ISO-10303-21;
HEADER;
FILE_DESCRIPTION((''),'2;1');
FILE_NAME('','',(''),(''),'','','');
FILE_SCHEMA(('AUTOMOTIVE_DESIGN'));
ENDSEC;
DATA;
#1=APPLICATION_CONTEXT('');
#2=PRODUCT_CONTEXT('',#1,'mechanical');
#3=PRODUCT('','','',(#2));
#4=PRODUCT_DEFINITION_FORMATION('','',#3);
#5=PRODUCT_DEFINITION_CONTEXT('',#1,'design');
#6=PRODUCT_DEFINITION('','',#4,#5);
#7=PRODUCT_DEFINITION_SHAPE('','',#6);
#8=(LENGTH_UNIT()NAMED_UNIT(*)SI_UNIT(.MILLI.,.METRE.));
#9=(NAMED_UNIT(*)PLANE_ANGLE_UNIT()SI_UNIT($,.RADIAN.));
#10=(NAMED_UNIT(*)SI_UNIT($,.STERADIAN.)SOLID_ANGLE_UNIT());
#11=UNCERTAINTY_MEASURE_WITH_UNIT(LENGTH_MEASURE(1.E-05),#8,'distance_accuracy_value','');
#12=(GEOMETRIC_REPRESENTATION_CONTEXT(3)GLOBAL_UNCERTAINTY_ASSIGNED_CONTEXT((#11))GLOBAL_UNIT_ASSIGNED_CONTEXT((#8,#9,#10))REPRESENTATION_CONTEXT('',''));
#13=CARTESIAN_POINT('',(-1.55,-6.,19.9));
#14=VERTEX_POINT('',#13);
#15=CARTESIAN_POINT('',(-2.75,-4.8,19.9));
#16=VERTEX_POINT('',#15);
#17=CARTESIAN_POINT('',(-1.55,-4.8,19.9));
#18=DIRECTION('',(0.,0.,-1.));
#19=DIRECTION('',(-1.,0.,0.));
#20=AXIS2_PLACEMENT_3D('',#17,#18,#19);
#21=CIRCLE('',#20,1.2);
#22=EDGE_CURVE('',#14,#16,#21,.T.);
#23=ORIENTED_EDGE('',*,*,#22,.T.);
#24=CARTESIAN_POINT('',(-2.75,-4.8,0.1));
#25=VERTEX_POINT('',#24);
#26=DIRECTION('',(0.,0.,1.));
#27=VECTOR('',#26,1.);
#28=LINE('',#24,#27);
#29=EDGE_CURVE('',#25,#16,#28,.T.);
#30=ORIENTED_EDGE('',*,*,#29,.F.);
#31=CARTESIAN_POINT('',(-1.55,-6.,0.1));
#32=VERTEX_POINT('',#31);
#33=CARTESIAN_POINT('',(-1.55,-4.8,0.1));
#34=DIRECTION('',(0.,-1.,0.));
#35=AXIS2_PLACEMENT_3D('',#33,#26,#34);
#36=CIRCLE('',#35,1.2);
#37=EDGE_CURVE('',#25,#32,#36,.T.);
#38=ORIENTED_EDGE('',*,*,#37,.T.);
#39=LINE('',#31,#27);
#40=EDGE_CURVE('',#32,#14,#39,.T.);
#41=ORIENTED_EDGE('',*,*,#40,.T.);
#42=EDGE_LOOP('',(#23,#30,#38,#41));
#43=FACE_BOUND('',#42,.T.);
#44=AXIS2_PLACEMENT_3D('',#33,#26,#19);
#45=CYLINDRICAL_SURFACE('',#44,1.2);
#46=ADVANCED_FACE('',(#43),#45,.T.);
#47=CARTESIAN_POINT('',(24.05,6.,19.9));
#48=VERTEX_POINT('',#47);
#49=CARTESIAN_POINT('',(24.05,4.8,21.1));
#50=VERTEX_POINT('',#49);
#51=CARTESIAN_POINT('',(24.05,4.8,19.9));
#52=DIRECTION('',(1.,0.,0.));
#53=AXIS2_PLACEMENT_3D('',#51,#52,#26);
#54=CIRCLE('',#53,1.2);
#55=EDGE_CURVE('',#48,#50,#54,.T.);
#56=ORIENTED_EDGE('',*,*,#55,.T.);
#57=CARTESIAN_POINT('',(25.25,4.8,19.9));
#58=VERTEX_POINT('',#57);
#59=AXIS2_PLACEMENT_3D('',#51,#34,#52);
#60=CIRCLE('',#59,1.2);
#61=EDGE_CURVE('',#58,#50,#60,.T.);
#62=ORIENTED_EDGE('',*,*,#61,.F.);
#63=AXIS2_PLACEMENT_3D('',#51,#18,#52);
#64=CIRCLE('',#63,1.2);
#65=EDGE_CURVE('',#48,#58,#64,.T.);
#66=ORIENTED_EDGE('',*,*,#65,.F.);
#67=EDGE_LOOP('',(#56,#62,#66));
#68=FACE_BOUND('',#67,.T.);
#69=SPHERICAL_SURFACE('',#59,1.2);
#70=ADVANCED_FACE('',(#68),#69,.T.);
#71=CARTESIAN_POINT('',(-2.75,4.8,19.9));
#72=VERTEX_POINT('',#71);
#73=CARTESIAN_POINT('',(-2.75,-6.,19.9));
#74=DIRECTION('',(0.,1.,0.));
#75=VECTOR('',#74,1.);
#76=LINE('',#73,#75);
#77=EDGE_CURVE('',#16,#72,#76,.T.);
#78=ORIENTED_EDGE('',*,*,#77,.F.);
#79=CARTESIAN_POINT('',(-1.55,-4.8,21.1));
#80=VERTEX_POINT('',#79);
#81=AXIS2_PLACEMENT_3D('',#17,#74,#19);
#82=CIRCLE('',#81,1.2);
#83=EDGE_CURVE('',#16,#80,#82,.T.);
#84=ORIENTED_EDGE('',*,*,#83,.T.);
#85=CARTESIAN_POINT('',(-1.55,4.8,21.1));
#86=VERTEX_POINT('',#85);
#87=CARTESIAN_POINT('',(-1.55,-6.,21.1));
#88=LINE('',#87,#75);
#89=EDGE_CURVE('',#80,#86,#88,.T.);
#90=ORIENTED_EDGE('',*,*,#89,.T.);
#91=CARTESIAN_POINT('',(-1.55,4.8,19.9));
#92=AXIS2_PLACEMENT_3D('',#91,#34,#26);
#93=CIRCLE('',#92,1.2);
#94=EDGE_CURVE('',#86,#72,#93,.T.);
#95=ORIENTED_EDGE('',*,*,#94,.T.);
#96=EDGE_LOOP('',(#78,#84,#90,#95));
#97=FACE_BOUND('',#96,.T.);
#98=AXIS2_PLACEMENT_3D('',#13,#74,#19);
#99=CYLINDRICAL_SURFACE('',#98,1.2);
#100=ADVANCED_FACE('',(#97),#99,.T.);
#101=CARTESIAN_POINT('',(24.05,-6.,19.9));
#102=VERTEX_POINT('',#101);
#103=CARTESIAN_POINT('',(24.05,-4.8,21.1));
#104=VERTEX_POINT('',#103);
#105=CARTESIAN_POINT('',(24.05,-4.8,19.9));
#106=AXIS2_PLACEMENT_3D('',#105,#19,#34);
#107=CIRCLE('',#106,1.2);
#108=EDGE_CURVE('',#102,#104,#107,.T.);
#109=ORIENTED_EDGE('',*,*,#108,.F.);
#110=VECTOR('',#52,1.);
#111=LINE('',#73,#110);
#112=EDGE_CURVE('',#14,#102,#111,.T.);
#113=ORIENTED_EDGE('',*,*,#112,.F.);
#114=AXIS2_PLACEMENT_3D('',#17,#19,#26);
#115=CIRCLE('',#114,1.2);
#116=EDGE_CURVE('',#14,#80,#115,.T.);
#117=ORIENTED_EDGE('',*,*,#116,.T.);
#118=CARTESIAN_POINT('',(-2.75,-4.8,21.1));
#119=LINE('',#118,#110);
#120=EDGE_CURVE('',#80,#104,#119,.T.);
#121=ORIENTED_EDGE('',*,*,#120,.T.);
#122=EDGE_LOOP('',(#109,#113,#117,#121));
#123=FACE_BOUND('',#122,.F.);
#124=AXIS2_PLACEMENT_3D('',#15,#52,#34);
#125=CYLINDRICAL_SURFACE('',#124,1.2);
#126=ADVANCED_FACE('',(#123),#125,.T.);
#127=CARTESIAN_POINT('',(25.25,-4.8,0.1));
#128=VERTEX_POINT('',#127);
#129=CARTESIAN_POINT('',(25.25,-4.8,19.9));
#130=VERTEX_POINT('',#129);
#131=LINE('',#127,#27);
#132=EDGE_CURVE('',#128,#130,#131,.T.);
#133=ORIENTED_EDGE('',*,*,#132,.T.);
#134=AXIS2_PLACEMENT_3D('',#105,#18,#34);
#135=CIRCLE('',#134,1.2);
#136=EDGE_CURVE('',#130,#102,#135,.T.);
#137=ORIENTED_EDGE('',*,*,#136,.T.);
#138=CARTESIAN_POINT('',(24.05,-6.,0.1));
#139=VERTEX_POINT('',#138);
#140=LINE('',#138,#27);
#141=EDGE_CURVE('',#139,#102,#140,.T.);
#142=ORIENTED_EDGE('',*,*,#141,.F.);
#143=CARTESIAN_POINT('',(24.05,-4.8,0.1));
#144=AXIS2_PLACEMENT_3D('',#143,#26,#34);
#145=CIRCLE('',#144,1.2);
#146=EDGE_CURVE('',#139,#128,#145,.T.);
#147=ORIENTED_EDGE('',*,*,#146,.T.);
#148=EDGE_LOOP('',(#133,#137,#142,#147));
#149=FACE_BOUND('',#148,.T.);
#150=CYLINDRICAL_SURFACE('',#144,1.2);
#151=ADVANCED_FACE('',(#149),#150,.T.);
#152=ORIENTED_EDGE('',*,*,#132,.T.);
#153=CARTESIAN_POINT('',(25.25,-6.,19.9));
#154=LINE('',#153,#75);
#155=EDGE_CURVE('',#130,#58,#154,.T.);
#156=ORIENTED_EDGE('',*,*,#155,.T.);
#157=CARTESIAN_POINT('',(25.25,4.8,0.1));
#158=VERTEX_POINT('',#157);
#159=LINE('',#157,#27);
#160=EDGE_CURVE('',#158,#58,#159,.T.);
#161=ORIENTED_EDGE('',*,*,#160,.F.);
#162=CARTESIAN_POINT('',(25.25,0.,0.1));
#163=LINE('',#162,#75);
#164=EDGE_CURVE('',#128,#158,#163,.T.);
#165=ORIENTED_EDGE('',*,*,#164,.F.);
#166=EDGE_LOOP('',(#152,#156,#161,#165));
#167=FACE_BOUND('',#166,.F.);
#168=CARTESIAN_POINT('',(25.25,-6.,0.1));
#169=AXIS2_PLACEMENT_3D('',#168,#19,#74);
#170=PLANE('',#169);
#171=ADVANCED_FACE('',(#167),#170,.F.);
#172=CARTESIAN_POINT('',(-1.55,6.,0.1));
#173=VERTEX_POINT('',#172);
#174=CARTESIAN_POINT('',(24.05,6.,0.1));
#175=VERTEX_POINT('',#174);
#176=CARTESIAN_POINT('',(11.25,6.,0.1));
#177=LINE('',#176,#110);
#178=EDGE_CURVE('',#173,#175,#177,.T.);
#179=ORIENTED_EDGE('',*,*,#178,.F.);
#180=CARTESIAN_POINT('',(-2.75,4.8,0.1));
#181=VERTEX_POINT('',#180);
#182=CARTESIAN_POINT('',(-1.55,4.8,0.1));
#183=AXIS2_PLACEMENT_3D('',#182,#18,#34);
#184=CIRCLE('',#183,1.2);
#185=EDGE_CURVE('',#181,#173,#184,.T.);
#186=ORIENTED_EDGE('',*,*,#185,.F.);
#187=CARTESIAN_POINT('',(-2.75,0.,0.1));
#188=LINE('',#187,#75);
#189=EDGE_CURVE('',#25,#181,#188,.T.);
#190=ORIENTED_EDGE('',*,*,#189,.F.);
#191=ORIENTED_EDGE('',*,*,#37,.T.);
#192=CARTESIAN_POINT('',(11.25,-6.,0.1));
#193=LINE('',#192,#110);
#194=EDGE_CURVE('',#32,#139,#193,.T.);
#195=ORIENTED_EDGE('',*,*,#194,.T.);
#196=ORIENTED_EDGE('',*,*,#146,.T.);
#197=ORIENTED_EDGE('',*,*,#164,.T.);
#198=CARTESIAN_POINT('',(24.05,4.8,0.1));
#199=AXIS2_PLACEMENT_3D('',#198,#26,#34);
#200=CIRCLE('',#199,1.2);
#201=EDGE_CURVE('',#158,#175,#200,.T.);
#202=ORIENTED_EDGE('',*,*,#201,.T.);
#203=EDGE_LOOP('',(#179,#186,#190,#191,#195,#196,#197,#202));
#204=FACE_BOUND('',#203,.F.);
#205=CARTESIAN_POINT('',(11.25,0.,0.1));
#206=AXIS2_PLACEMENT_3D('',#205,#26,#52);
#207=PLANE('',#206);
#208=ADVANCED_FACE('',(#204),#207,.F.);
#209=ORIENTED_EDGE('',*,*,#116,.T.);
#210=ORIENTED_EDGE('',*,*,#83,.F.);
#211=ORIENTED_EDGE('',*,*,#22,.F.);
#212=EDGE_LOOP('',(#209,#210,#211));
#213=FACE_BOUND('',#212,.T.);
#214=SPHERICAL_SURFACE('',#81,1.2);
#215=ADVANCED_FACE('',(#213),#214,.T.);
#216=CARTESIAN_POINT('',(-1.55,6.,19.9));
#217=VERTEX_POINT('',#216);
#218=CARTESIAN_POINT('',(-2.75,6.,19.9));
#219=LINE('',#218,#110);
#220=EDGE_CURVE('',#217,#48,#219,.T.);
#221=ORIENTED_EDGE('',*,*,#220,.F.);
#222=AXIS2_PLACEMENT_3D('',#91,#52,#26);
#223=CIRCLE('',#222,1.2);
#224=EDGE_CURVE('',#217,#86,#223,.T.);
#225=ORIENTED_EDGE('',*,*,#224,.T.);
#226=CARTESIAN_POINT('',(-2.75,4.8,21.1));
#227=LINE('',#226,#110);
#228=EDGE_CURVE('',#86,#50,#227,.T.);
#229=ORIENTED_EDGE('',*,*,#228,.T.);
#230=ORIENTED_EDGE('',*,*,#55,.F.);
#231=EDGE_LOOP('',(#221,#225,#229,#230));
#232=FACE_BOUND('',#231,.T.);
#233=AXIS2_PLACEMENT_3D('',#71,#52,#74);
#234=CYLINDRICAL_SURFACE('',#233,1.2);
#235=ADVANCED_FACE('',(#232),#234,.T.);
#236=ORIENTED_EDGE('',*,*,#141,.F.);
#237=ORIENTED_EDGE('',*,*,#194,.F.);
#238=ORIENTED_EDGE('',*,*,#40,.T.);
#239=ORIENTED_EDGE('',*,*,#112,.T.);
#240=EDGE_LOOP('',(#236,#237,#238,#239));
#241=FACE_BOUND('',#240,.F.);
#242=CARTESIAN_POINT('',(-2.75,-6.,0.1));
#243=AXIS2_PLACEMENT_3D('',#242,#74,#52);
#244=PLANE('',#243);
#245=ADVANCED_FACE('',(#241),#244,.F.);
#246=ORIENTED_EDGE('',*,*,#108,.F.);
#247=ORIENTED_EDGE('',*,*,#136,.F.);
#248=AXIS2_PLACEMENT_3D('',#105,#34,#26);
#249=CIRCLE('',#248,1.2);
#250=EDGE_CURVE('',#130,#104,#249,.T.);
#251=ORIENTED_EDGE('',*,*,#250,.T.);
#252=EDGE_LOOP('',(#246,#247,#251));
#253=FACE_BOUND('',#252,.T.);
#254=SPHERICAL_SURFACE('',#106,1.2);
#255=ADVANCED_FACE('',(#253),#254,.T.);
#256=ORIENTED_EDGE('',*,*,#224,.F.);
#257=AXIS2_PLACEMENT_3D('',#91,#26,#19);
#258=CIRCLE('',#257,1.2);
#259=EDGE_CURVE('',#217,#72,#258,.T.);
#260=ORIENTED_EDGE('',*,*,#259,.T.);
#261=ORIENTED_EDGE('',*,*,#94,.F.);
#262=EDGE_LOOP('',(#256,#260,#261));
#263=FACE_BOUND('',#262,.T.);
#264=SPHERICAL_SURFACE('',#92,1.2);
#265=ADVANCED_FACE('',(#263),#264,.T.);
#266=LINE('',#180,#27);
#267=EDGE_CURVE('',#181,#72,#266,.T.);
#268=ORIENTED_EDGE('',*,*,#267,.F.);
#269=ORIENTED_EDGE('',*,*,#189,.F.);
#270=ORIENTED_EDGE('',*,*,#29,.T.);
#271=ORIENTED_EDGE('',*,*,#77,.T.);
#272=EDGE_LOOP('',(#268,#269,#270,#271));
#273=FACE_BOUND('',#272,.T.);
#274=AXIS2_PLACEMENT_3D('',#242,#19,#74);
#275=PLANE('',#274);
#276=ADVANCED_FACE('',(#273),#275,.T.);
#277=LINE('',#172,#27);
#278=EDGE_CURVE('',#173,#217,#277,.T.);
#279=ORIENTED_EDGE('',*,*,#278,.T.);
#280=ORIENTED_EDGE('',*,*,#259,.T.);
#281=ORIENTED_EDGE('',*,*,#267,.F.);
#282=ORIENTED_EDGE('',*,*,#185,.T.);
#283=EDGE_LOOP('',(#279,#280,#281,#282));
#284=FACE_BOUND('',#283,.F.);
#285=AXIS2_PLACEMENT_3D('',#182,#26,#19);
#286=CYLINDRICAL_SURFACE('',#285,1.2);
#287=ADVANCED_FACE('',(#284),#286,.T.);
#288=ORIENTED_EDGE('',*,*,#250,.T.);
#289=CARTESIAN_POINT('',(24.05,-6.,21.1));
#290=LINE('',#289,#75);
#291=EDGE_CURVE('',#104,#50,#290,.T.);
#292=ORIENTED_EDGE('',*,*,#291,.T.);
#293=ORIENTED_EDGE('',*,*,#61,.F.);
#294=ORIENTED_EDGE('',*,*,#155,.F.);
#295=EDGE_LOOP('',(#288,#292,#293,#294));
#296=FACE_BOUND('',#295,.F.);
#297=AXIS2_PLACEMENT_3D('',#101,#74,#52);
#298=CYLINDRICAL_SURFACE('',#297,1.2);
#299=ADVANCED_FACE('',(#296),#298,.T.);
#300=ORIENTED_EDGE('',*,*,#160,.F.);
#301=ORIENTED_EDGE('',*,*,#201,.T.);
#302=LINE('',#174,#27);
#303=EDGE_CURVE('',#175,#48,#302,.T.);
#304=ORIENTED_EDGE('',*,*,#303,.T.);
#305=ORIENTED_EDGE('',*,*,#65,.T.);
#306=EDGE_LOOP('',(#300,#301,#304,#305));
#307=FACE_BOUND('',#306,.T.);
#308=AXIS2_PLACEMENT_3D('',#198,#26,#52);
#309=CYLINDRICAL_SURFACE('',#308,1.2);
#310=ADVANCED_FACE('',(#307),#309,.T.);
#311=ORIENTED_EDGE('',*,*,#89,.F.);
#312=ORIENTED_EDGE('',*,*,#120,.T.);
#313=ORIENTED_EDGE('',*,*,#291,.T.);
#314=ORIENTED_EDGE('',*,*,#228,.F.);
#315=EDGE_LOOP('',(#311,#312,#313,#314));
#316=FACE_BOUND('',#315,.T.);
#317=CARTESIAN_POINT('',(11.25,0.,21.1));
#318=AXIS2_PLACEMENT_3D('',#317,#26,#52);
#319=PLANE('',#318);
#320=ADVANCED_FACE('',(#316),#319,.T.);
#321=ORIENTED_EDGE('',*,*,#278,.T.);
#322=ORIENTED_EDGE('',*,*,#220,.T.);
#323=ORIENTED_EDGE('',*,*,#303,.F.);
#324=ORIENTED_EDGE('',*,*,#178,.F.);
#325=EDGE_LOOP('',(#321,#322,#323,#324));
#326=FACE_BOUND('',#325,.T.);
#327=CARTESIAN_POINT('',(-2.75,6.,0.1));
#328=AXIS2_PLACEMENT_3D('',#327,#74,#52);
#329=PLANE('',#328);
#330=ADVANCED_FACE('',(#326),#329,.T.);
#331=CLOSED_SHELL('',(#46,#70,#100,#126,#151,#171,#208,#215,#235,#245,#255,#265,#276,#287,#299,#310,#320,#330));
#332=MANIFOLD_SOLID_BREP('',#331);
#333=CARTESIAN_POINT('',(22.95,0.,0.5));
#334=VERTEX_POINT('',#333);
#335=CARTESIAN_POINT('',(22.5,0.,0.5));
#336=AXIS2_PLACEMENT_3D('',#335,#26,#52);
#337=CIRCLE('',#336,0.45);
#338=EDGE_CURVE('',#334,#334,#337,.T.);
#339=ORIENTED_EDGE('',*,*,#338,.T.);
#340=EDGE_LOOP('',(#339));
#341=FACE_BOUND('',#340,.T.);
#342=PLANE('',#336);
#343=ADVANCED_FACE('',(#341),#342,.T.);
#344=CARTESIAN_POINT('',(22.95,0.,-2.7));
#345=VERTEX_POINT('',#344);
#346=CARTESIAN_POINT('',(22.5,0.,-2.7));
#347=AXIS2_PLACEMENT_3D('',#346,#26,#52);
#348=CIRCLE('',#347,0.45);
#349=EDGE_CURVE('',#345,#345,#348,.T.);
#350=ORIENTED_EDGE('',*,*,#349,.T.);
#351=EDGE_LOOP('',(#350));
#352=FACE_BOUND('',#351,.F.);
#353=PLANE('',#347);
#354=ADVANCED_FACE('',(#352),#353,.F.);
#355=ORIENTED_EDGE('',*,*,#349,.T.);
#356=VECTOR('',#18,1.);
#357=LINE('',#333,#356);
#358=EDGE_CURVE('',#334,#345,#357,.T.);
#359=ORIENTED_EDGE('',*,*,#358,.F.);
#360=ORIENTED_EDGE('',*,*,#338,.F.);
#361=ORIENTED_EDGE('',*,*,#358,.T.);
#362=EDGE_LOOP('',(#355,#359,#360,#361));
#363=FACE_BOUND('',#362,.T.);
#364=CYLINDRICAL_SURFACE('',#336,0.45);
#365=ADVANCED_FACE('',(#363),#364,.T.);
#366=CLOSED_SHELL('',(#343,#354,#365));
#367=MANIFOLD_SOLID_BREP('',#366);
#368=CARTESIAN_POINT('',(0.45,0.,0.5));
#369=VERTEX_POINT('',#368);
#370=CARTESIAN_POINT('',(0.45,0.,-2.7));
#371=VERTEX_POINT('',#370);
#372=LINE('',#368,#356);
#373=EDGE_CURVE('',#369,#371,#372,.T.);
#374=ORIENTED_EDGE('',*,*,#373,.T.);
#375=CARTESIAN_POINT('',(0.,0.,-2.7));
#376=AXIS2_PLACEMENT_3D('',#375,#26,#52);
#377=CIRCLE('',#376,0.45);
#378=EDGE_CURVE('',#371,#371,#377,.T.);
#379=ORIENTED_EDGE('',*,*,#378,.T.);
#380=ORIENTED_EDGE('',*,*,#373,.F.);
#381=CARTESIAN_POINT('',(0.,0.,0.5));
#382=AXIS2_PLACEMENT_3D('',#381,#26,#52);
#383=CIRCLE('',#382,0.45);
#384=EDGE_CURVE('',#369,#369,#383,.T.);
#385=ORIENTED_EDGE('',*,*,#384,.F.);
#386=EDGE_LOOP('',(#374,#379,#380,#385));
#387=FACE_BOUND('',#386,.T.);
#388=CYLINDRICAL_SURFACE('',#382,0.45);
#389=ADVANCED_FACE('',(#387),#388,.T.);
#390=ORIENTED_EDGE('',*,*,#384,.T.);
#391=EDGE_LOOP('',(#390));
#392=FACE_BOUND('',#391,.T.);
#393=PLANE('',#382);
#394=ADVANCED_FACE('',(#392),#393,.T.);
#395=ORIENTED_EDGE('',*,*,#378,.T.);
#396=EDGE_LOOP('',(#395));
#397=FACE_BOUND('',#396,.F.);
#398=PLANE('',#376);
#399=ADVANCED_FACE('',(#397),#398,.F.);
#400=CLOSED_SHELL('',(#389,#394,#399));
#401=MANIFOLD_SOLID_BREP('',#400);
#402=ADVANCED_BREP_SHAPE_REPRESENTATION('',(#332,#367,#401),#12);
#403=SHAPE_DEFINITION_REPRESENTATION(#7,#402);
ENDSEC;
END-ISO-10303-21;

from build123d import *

# Parameters (mm, degrees)
SKETCH_W     = 28
SKETCH_H     = 12
PAD_DEPTH    = 21
FILLET_R     = 1.2
SKETCH001_R  = 0.45
PAD001_DEPTH = 3.2


with BuildPart() as fillet_body:
    # Sketch → Pad (new body)
    with BuildSketch(Plane.XY.offset(0.1)):
        with Locations((11.25, 0)):
            Rectangle(SKETCH_W, SKETCH_H)
    extrude(amount=PAD_DEPTH)

    # Fillet
    fillet_edges = [fillet_body.edges().sort_by_distance(p)[0] for p in [
        (-2.75, 0, 21.1),
        (-2.75, -6, 10.6),
        (11.25, -6, 21.1),
        (25.25, -6, 10.6),
        (25.25, 0, 21.1),
        (25.25, 6, 10.6),
        (11.25, 6, 21.1),
        (-2.75, 6, 10.6),
    ]]
    fillet(fillet_edges, radius=FILLET_R)


with BuildPart() as pad001:
    # Sketch001 → Pad001 (new body)
    with BuildSketch(Plane.XY.offset(0.5)):
        Circle(SKETCH001_R)
        with Locations((22.5, 0)):
            Circle(SKETCH001_R)
    extrude(amount=-PAD001_DEPTH)


solid = Compound([fillet_body.part, pad001.part])
